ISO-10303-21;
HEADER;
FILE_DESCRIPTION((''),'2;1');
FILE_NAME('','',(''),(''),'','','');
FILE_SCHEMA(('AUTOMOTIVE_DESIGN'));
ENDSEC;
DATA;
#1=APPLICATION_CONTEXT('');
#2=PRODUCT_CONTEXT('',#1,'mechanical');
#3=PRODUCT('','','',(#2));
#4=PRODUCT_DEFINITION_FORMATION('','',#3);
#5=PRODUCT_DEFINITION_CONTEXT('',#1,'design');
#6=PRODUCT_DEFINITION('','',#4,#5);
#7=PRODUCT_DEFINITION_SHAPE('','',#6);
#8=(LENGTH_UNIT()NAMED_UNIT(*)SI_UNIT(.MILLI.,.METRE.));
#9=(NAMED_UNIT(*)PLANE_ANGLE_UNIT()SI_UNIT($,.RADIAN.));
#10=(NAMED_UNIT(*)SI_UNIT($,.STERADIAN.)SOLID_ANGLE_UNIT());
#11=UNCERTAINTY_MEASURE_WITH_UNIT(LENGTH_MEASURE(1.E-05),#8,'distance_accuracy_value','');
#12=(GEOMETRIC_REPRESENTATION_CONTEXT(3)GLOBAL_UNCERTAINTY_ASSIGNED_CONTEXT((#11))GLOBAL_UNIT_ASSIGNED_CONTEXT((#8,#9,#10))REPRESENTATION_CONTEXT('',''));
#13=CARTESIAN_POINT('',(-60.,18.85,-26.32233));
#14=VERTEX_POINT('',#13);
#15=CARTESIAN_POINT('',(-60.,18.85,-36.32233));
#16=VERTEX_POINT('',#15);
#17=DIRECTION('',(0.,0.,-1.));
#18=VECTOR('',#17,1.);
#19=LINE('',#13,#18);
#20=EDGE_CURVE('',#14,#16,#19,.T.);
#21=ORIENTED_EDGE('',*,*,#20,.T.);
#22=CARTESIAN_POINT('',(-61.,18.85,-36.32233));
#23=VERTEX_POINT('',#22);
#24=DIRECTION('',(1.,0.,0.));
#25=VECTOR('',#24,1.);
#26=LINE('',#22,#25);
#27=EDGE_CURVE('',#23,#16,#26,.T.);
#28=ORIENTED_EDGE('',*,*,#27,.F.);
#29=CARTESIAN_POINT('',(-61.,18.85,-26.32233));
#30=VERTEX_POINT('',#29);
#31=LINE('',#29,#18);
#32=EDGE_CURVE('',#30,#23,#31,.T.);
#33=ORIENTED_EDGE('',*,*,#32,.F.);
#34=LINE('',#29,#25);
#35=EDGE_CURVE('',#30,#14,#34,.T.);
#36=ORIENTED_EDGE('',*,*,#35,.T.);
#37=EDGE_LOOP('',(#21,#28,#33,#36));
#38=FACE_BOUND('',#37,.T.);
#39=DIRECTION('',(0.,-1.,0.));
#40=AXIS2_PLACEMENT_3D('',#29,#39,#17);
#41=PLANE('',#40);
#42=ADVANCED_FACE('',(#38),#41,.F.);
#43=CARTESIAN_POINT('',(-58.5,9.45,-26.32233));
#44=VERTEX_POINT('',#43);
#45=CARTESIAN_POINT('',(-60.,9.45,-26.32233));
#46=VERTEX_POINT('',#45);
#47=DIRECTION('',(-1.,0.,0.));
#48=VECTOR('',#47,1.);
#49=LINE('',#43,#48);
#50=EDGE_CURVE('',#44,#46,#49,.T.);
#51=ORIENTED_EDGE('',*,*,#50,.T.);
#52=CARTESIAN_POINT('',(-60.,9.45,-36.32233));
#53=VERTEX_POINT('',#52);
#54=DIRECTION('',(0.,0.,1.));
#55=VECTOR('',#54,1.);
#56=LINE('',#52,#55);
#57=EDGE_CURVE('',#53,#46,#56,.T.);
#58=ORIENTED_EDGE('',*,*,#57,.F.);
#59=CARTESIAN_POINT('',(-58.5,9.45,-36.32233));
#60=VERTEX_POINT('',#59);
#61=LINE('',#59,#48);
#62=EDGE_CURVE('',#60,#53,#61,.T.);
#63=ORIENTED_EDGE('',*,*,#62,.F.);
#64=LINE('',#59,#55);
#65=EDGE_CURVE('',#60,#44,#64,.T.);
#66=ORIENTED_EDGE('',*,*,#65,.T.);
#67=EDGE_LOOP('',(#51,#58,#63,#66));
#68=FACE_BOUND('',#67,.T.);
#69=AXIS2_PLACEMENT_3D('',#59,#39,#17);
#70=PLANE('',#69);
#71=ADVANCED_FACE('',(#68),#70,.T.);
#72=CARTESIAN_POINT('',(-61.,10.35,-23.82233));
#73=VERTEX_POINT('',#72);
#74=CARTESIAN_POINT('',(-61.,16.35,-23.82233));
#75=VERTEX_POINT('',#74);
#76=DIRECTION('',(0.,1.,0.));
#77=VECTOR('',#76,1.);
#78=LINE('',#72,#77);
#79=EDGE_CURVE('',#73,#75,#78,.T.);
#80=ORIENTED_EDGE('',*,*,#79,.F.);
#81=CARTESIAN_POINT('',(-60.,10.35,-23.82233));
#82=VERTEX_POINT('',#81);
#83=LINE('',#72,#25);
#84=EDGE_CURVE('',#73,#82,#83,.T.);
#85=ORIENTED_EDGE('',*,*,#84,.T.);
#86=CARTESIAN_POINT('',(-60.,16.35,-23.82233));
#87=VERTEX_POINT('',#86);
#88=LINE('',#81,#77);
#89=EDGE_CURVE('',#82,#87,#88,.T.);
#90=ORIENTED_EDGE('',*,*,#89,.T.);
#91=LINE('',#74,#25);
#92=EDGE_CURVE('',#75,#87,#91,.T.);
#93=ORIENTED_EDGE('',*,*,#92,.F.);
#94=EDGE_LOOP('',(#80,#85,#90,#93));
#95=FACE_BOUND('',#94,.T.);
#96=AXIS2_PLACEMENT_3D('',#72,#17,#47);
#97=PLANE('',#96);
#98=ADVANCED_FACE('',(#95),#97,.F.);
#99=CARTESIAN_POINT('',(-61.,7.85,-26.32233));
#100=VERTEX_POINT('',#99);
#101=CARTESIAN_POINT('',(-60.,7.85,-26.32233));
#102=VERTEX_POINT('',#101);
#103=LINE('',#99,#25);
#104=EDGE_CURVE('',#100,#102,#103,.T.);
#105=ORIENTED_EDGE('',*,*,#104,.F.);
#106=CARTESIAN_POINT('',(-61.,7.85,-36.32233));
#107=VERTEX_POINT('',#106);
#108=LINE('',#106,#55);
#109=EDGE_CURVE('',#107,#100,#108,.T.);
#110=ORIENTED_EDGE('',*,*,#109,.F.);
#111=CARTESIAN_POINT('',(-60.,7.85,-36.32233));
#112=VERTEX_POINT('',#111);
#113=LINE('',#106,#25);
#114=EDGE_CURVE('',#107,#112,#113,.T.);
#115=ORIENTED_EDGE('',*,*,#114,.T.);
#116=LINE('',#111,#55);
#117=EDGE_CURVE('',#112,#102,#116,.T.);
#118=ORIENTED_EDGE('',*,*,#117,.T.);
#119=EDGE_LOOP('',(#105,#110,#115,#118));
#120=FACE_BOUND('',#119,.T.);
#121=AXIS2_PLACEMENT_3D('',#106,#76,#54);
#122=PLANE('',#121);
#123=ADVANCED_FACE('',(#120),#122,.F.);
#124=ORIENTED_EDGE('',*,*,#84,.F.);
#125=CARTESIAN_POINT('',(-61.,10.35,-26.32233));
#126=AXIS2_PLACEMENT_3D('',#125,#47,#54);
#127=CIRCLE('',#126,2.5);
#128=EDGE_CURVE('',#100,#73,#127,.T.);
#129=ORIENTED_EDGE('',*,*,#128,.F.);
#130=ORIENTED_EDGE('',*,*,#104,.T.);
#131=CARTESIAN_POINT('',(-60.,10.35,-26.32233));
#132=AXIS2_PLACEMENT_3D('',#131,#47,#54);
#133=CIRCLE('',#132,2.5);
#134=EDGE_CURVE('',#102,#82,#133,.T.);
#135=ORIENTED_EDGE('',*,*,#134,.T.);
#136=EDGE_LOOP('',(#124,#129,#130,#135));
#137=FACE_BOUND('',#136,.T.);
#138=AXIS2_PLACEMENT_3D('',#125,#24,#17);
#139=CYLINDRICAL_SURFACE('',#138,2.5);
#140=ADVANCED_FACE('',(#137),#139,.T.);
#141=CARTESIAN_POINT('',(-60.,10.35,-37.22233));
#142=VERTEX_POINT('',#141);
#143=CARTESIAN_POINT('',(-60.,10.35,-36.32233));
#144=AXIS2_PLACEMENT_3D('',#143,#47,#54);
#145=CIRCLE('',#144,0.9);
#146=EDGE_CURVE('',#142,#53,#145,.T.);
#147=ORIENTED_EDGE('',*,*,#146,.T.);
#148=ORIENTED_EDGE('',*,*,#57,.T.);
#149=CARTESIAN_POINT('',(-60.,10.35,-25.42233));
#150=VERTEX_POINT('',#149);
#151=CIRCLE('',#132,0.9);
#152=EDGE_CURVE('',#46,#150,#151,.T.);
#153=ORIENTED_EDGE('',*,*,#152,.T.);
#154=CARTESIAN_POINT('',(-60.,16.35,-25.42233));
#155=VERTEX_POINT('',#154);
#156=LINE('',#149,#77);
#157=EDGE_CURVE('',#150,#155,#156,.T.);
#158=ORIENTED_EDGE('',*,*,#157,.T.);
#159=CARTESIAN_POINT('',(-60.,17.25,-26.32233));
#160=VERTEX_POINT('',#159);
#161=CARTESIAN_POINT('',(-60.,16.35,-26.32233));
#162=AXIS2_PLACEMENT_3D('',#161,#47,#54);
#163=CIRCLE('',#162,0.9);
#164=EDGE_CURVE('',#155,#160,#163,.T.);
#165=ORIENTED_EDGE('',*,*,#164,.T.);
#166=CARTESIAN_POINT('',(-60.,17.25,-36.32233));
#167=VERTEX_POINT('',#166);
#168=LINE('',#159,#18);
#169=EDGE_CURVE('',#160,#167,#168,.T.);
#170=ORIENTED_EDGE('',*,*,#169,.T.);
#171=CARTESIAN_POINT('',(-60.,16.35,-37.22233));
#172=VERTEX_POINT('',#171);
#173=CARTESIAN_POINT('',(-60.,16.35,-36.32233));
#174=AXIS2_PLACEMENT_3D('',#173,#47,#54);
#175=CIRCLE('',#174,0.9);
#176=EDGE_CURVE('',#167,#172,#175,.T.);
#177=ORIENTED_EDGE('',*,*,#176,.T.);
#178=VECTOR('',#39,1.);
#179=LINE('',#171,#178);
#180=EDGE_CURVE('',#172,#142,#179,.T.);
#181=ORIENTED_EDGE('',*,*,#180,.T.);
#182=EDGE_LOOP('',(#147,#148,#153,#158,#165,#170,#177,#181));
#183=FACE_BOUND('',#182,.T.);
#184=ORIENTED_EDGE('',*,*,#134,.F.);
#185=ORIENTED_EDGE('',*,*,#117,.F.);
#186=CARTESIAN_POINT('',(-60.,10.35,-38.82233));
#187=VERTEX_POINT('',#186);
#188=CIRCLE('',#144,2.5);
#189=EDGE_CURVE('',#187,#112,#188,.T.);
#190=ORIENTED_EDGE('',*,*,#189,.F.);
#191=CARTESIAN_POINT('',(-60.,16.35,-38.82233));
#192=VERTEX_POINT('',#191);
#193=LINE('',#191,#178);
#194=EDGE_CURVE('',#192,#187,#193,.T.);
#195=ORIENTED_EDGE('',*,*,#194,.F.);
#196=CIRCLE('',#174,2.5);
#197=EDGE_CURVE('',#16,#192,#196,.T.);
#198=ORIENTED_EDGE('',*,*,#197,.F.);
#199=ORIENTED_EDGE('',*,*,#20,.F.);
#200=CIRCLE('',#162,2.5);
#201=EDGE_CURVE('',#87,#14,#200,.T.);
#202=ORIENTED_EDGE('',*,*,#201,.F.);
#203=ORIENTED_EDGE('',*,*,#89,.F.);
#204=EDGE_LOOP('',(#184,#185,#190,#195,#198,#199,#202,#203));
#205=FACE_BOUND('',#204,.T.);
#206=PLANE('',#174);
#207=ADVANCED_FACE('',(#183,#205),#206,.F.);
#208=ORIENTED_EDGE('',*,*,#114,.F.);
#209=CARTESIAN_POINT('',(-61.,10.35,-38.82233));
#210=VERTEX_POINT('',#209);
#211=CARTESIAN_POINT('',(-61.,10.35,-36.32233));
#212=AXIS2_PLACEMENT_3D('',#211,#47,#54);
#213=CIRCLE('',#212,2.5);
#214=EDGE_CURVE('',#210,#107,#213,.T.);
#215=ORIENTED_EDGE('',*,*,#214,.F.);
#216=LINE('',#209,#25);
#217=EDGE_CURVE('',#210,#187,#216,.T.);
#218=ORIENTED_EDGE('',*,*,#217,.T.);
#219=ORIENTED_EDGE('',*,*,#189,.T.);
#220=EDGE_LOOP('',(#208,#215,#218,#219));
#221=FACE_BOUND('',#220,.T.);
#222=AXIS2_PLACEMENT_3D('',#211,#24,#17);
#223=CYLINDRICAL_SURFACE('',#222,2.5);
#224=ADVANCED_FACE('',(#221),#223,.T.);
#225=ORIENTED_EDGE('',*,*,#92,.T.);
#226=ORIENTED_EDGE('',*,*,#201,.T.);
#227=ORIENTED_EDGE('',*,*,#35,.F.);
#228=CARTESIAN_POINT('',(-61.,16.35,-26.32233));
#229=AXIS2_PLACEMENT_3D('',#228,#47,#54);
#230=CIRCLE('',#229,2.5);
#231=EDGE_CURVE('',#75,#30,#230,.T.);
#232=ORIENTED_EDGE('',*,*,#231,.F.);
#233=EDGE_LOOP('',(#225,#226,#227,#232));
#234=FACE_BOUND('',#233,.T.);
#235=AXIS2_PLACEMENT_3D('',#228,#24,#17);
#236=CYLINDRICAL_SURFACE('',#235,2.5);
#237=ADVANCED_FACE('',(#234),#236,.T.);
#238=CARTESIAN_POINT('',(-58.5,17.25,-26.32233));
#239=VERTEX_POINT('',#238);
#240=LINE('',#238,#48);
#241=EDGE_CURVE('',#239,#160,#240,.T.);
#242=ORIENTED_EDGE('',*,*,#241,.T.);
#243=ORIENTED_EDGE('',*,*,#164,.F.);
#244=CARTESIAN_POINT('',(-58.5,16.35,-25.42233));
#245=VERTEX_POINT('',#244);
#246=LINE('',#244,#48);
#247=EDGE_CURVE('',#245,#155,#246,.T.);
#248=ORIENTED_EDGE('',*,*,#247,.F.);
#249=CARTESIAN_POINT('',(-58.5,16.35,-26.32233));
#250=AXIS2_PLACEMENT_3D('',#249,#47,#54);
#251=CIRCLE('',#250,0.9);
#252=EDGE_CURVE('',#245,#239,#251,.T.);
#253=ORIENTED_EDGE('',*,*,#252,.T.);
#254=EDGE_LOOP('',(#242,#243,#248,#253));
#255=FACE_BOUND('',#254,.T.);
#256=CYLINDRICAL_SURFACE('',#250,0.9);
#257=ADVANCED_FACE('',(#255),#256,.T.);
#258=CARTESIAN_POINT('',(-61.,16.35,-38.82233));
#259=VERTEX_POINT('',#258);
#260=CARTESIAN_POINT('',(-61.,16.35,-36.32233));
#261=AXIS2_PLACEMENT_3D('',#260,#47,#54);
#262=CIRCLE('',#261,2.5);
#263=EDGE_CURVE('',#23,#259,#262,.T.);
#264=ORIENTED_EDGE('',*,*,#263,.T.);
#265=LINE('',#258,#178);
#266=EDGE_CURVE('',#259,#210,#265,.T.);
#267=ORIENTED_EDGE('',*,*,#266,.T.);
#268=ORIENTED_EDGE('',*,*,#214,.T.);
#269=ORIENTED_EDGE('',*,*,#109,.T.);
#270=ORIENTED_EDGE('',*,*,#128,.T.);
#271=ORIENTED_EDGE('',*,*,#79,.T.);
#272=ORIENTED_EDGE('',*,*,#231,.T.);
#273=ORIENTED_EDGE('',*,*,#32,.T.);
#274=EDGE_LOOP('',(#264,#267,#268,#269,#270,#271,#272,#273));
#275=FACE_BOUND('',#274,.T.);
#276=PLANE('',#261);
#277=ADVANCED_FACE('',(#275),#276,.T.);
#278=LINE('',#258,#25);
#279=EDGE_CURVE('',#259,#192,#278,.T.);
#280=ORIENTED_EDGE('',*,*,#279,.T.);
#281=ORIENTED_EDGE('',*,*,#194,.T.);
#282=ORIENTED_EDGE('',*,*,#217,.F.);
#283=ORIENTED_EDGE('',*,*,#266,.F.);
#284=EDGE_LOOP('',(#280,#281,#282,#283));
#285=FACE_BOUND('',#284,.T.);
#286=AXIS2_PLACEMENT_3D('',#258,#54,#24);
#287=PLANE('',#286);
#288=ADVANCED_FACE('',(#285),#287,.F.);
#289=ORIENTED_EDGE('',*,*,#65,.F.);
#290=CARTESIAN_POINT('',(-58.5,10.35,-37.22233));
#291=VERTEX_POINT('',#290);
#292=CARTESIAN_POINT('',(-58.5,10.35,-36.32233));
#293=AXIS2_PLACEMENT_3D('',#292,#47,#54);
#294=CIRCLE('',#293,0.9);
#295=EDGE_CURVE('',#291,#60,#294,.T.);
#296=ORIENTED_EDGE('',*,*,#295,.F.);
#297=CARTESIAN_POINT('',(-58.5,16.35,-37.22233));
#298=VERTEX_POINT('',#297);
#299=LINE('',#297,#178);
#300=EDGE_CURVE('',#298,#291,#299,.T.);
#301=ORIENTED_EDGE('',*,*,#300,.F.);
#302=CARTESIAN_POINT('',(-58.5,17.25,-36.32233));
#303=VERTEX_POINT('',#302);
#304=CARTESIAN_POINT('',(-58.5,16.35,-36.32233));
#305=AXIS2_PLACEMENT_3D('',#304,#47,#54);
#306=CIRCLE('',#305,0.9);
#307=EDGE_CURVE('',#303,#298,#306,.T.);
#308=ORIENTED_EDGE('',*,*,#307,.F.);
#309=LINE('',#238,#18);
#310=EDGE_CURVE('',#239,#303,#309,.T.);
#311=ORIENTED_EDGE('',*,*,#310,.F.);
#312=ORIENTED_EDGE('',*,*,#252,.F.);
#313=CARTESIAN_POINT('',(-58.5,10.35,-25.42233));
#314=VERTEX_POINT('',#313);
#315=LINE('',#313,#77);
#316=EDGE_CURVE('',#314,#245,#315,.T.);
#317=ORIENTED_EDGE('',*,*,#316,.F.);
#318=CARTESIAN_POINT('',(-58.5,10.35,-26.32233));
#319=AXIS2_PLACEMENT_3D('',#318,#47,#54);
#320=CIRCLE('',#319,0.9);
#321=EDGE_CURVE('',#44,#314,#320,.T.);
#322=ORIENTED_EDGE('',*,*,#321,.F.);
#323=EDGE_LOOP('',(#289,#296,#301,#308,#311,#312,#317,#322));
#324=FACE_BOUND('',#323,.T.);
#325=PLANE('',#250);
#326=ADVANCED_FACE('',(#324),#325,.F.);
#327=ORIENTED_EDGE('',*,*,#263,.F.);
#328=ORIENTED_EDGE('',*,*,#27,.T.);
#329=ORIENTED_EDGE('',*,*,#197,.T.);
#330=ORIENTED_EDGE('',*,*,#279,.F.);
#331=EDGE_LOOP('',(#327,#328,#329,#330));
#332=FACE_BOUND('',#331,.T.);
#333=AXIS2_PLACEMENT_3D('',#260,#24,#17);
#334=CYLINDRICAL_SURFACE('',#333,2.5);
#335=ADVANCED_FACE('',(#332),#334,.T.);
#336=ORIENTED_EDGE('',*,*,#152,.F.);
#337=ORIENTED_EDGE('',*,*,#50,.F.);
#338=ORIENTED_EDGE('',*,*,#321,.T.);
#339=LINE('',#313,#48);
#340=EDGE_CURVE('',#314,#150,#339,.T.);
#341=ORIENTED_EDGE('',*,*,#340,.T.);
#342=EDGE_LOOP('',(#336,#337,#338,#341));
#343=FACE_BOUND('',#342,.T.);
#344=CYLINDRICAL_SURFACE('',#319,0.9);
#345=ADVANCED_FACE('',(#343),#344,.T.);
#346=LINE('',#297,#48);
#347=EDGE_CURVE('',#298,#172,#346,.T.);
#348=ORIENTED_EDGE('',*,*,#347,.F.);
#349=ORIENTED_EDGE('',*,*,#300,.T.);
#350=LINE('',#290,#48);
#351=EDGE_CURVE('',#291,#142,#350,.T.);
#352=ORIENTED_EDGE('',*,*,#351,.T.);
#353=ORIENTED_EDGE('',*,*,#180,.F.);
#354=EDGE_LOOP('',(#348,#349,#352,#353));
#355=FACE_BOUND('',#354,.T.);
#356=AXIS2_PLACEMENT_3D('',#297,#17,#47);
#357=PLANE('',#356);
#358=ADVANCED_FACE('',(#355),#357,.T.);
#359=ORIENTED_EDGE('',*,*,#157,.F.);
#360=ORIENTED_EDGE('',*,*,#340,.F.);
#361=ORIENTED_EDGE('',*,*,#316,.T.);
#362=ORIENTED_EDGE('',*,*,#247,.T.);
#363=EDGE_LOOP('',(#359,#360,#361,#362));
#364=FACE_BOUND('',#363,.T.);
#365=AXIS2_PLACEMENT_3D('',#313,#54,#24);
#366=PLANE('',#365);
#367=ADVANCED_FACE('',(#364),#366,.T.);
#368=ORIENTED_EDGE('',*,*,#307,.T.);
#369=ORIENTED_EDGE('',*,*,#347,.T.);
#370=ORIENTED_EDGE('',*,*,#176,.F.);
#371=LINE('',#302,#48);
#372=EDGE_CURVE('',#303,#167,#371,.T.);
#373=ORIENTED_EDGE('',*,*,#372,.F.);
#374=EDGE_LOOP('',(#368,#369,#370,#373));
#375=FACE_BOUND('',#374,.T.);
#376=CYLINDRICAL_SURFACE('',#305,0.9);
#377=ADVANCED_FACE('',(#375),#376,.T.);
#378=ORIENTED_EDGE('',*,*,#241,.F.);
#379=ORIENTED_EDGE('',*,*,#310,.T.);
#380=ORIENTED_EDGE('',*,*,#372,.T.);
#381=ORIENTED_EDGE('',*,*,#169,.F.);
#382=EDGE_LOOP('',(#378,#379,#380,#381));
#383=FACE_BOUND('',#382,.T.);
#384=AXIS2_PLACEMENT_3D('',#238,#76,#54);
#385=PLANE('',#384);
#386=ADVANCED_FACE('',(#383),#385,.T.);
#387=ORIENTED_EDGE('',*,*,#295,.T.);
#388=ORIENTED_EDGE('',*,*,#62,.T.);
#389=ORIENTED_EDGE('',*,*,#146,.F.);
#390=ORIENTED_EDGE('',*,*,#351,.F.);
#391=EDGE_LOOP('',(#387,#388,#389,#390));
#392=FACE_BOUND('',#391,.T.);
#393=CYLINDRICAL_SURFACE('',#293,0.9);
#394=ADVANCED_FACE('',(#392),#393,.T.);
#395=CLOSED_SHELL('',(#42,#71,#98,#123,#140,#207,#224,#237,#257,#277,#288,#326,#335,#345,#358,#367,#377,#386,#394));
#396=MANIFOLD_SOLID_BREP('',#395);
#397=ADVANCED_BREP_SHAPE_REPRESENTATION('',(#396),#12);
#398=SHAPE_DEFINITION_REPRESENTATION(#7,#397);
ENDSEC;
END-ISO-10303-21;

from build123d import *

# Parameters (mm, degrees)
BOSS_EXTRUDE1_DEPTH = 1
BOSS_EXTRUDE2_DEPTH = 1.5


with BuildPart() as part:
    # Sketch1 → Boss-Extrude1 (new body)
    with BuildSketch(Plane.ZY.offset(60)):
        with BuildLine():
            Line((-36.32233047, 7.85), (-26.32233047, 7.85))
            ThreePointArc((-26.32233047, 7.85), (-24.554563517, 8.582233047), (-23.82233047, 10.35))
            Line((-23.82233047, 10.35), (-23.82233047, 16.35))
            ThreePointArc((-23.82233047, 16.35), (-24.554563517, 18.117766953), (-26.32233047, 18.85))
            Line((-26.32233047, 18.85), (-36.32233047, 18.85))
            ThreePointArc((-36.32233047, 18.85), (-38.090097423, 18.117766953), (-38.82233047, 16.35))
            Line((-38.82233047, 16.35), (-38.82233047, 10.35))
            ThreePointArc((-38.82233047, 10.35), (-38.090097423, 8.582233047), (-36.32233047, 7.85))
        make_face()
    extrude(amount=BOSS_EXTRUDE1_DEPTH)

    # Sketch1<3> → Boss-Extrude2 (add)
    with BuildSketch(Plane.ZY.offset(60)):
        with BuildLine():
            Line((-36.32233047, 9.45), (-26.32233047, 9.45))
            ThreePointArc((-26.32233047, 9.45), (-25.685934367, 9.713603897), (-25.42233047, 10.35))
            Line((-25.42233047, 10.35), (-25.42233047, 16.35))
            ThreePointArc((-25.42233047, 16.35), (-25.685934367, 16.986396103), (-26.32233047, 17.25))
            Line((-26.32233047, 17.25), (-36.32233047, 17.25))
            ThreePointArc((-36.32233047, 17.25), (-36.958726573, 16.986396103), (-37.22233047, 16.35))
            Line((-37.22233047, 16.35), (-37.22233047, 10.35))
            ThreePointArc((-37.22233047, 10.35), (-36.958726573, 9.713603897), (-36.32233047, 9.45))
        make_face()
    extrude(amount=-BOSS_EXTRUDE2_DEPTH)


solid = part.part
